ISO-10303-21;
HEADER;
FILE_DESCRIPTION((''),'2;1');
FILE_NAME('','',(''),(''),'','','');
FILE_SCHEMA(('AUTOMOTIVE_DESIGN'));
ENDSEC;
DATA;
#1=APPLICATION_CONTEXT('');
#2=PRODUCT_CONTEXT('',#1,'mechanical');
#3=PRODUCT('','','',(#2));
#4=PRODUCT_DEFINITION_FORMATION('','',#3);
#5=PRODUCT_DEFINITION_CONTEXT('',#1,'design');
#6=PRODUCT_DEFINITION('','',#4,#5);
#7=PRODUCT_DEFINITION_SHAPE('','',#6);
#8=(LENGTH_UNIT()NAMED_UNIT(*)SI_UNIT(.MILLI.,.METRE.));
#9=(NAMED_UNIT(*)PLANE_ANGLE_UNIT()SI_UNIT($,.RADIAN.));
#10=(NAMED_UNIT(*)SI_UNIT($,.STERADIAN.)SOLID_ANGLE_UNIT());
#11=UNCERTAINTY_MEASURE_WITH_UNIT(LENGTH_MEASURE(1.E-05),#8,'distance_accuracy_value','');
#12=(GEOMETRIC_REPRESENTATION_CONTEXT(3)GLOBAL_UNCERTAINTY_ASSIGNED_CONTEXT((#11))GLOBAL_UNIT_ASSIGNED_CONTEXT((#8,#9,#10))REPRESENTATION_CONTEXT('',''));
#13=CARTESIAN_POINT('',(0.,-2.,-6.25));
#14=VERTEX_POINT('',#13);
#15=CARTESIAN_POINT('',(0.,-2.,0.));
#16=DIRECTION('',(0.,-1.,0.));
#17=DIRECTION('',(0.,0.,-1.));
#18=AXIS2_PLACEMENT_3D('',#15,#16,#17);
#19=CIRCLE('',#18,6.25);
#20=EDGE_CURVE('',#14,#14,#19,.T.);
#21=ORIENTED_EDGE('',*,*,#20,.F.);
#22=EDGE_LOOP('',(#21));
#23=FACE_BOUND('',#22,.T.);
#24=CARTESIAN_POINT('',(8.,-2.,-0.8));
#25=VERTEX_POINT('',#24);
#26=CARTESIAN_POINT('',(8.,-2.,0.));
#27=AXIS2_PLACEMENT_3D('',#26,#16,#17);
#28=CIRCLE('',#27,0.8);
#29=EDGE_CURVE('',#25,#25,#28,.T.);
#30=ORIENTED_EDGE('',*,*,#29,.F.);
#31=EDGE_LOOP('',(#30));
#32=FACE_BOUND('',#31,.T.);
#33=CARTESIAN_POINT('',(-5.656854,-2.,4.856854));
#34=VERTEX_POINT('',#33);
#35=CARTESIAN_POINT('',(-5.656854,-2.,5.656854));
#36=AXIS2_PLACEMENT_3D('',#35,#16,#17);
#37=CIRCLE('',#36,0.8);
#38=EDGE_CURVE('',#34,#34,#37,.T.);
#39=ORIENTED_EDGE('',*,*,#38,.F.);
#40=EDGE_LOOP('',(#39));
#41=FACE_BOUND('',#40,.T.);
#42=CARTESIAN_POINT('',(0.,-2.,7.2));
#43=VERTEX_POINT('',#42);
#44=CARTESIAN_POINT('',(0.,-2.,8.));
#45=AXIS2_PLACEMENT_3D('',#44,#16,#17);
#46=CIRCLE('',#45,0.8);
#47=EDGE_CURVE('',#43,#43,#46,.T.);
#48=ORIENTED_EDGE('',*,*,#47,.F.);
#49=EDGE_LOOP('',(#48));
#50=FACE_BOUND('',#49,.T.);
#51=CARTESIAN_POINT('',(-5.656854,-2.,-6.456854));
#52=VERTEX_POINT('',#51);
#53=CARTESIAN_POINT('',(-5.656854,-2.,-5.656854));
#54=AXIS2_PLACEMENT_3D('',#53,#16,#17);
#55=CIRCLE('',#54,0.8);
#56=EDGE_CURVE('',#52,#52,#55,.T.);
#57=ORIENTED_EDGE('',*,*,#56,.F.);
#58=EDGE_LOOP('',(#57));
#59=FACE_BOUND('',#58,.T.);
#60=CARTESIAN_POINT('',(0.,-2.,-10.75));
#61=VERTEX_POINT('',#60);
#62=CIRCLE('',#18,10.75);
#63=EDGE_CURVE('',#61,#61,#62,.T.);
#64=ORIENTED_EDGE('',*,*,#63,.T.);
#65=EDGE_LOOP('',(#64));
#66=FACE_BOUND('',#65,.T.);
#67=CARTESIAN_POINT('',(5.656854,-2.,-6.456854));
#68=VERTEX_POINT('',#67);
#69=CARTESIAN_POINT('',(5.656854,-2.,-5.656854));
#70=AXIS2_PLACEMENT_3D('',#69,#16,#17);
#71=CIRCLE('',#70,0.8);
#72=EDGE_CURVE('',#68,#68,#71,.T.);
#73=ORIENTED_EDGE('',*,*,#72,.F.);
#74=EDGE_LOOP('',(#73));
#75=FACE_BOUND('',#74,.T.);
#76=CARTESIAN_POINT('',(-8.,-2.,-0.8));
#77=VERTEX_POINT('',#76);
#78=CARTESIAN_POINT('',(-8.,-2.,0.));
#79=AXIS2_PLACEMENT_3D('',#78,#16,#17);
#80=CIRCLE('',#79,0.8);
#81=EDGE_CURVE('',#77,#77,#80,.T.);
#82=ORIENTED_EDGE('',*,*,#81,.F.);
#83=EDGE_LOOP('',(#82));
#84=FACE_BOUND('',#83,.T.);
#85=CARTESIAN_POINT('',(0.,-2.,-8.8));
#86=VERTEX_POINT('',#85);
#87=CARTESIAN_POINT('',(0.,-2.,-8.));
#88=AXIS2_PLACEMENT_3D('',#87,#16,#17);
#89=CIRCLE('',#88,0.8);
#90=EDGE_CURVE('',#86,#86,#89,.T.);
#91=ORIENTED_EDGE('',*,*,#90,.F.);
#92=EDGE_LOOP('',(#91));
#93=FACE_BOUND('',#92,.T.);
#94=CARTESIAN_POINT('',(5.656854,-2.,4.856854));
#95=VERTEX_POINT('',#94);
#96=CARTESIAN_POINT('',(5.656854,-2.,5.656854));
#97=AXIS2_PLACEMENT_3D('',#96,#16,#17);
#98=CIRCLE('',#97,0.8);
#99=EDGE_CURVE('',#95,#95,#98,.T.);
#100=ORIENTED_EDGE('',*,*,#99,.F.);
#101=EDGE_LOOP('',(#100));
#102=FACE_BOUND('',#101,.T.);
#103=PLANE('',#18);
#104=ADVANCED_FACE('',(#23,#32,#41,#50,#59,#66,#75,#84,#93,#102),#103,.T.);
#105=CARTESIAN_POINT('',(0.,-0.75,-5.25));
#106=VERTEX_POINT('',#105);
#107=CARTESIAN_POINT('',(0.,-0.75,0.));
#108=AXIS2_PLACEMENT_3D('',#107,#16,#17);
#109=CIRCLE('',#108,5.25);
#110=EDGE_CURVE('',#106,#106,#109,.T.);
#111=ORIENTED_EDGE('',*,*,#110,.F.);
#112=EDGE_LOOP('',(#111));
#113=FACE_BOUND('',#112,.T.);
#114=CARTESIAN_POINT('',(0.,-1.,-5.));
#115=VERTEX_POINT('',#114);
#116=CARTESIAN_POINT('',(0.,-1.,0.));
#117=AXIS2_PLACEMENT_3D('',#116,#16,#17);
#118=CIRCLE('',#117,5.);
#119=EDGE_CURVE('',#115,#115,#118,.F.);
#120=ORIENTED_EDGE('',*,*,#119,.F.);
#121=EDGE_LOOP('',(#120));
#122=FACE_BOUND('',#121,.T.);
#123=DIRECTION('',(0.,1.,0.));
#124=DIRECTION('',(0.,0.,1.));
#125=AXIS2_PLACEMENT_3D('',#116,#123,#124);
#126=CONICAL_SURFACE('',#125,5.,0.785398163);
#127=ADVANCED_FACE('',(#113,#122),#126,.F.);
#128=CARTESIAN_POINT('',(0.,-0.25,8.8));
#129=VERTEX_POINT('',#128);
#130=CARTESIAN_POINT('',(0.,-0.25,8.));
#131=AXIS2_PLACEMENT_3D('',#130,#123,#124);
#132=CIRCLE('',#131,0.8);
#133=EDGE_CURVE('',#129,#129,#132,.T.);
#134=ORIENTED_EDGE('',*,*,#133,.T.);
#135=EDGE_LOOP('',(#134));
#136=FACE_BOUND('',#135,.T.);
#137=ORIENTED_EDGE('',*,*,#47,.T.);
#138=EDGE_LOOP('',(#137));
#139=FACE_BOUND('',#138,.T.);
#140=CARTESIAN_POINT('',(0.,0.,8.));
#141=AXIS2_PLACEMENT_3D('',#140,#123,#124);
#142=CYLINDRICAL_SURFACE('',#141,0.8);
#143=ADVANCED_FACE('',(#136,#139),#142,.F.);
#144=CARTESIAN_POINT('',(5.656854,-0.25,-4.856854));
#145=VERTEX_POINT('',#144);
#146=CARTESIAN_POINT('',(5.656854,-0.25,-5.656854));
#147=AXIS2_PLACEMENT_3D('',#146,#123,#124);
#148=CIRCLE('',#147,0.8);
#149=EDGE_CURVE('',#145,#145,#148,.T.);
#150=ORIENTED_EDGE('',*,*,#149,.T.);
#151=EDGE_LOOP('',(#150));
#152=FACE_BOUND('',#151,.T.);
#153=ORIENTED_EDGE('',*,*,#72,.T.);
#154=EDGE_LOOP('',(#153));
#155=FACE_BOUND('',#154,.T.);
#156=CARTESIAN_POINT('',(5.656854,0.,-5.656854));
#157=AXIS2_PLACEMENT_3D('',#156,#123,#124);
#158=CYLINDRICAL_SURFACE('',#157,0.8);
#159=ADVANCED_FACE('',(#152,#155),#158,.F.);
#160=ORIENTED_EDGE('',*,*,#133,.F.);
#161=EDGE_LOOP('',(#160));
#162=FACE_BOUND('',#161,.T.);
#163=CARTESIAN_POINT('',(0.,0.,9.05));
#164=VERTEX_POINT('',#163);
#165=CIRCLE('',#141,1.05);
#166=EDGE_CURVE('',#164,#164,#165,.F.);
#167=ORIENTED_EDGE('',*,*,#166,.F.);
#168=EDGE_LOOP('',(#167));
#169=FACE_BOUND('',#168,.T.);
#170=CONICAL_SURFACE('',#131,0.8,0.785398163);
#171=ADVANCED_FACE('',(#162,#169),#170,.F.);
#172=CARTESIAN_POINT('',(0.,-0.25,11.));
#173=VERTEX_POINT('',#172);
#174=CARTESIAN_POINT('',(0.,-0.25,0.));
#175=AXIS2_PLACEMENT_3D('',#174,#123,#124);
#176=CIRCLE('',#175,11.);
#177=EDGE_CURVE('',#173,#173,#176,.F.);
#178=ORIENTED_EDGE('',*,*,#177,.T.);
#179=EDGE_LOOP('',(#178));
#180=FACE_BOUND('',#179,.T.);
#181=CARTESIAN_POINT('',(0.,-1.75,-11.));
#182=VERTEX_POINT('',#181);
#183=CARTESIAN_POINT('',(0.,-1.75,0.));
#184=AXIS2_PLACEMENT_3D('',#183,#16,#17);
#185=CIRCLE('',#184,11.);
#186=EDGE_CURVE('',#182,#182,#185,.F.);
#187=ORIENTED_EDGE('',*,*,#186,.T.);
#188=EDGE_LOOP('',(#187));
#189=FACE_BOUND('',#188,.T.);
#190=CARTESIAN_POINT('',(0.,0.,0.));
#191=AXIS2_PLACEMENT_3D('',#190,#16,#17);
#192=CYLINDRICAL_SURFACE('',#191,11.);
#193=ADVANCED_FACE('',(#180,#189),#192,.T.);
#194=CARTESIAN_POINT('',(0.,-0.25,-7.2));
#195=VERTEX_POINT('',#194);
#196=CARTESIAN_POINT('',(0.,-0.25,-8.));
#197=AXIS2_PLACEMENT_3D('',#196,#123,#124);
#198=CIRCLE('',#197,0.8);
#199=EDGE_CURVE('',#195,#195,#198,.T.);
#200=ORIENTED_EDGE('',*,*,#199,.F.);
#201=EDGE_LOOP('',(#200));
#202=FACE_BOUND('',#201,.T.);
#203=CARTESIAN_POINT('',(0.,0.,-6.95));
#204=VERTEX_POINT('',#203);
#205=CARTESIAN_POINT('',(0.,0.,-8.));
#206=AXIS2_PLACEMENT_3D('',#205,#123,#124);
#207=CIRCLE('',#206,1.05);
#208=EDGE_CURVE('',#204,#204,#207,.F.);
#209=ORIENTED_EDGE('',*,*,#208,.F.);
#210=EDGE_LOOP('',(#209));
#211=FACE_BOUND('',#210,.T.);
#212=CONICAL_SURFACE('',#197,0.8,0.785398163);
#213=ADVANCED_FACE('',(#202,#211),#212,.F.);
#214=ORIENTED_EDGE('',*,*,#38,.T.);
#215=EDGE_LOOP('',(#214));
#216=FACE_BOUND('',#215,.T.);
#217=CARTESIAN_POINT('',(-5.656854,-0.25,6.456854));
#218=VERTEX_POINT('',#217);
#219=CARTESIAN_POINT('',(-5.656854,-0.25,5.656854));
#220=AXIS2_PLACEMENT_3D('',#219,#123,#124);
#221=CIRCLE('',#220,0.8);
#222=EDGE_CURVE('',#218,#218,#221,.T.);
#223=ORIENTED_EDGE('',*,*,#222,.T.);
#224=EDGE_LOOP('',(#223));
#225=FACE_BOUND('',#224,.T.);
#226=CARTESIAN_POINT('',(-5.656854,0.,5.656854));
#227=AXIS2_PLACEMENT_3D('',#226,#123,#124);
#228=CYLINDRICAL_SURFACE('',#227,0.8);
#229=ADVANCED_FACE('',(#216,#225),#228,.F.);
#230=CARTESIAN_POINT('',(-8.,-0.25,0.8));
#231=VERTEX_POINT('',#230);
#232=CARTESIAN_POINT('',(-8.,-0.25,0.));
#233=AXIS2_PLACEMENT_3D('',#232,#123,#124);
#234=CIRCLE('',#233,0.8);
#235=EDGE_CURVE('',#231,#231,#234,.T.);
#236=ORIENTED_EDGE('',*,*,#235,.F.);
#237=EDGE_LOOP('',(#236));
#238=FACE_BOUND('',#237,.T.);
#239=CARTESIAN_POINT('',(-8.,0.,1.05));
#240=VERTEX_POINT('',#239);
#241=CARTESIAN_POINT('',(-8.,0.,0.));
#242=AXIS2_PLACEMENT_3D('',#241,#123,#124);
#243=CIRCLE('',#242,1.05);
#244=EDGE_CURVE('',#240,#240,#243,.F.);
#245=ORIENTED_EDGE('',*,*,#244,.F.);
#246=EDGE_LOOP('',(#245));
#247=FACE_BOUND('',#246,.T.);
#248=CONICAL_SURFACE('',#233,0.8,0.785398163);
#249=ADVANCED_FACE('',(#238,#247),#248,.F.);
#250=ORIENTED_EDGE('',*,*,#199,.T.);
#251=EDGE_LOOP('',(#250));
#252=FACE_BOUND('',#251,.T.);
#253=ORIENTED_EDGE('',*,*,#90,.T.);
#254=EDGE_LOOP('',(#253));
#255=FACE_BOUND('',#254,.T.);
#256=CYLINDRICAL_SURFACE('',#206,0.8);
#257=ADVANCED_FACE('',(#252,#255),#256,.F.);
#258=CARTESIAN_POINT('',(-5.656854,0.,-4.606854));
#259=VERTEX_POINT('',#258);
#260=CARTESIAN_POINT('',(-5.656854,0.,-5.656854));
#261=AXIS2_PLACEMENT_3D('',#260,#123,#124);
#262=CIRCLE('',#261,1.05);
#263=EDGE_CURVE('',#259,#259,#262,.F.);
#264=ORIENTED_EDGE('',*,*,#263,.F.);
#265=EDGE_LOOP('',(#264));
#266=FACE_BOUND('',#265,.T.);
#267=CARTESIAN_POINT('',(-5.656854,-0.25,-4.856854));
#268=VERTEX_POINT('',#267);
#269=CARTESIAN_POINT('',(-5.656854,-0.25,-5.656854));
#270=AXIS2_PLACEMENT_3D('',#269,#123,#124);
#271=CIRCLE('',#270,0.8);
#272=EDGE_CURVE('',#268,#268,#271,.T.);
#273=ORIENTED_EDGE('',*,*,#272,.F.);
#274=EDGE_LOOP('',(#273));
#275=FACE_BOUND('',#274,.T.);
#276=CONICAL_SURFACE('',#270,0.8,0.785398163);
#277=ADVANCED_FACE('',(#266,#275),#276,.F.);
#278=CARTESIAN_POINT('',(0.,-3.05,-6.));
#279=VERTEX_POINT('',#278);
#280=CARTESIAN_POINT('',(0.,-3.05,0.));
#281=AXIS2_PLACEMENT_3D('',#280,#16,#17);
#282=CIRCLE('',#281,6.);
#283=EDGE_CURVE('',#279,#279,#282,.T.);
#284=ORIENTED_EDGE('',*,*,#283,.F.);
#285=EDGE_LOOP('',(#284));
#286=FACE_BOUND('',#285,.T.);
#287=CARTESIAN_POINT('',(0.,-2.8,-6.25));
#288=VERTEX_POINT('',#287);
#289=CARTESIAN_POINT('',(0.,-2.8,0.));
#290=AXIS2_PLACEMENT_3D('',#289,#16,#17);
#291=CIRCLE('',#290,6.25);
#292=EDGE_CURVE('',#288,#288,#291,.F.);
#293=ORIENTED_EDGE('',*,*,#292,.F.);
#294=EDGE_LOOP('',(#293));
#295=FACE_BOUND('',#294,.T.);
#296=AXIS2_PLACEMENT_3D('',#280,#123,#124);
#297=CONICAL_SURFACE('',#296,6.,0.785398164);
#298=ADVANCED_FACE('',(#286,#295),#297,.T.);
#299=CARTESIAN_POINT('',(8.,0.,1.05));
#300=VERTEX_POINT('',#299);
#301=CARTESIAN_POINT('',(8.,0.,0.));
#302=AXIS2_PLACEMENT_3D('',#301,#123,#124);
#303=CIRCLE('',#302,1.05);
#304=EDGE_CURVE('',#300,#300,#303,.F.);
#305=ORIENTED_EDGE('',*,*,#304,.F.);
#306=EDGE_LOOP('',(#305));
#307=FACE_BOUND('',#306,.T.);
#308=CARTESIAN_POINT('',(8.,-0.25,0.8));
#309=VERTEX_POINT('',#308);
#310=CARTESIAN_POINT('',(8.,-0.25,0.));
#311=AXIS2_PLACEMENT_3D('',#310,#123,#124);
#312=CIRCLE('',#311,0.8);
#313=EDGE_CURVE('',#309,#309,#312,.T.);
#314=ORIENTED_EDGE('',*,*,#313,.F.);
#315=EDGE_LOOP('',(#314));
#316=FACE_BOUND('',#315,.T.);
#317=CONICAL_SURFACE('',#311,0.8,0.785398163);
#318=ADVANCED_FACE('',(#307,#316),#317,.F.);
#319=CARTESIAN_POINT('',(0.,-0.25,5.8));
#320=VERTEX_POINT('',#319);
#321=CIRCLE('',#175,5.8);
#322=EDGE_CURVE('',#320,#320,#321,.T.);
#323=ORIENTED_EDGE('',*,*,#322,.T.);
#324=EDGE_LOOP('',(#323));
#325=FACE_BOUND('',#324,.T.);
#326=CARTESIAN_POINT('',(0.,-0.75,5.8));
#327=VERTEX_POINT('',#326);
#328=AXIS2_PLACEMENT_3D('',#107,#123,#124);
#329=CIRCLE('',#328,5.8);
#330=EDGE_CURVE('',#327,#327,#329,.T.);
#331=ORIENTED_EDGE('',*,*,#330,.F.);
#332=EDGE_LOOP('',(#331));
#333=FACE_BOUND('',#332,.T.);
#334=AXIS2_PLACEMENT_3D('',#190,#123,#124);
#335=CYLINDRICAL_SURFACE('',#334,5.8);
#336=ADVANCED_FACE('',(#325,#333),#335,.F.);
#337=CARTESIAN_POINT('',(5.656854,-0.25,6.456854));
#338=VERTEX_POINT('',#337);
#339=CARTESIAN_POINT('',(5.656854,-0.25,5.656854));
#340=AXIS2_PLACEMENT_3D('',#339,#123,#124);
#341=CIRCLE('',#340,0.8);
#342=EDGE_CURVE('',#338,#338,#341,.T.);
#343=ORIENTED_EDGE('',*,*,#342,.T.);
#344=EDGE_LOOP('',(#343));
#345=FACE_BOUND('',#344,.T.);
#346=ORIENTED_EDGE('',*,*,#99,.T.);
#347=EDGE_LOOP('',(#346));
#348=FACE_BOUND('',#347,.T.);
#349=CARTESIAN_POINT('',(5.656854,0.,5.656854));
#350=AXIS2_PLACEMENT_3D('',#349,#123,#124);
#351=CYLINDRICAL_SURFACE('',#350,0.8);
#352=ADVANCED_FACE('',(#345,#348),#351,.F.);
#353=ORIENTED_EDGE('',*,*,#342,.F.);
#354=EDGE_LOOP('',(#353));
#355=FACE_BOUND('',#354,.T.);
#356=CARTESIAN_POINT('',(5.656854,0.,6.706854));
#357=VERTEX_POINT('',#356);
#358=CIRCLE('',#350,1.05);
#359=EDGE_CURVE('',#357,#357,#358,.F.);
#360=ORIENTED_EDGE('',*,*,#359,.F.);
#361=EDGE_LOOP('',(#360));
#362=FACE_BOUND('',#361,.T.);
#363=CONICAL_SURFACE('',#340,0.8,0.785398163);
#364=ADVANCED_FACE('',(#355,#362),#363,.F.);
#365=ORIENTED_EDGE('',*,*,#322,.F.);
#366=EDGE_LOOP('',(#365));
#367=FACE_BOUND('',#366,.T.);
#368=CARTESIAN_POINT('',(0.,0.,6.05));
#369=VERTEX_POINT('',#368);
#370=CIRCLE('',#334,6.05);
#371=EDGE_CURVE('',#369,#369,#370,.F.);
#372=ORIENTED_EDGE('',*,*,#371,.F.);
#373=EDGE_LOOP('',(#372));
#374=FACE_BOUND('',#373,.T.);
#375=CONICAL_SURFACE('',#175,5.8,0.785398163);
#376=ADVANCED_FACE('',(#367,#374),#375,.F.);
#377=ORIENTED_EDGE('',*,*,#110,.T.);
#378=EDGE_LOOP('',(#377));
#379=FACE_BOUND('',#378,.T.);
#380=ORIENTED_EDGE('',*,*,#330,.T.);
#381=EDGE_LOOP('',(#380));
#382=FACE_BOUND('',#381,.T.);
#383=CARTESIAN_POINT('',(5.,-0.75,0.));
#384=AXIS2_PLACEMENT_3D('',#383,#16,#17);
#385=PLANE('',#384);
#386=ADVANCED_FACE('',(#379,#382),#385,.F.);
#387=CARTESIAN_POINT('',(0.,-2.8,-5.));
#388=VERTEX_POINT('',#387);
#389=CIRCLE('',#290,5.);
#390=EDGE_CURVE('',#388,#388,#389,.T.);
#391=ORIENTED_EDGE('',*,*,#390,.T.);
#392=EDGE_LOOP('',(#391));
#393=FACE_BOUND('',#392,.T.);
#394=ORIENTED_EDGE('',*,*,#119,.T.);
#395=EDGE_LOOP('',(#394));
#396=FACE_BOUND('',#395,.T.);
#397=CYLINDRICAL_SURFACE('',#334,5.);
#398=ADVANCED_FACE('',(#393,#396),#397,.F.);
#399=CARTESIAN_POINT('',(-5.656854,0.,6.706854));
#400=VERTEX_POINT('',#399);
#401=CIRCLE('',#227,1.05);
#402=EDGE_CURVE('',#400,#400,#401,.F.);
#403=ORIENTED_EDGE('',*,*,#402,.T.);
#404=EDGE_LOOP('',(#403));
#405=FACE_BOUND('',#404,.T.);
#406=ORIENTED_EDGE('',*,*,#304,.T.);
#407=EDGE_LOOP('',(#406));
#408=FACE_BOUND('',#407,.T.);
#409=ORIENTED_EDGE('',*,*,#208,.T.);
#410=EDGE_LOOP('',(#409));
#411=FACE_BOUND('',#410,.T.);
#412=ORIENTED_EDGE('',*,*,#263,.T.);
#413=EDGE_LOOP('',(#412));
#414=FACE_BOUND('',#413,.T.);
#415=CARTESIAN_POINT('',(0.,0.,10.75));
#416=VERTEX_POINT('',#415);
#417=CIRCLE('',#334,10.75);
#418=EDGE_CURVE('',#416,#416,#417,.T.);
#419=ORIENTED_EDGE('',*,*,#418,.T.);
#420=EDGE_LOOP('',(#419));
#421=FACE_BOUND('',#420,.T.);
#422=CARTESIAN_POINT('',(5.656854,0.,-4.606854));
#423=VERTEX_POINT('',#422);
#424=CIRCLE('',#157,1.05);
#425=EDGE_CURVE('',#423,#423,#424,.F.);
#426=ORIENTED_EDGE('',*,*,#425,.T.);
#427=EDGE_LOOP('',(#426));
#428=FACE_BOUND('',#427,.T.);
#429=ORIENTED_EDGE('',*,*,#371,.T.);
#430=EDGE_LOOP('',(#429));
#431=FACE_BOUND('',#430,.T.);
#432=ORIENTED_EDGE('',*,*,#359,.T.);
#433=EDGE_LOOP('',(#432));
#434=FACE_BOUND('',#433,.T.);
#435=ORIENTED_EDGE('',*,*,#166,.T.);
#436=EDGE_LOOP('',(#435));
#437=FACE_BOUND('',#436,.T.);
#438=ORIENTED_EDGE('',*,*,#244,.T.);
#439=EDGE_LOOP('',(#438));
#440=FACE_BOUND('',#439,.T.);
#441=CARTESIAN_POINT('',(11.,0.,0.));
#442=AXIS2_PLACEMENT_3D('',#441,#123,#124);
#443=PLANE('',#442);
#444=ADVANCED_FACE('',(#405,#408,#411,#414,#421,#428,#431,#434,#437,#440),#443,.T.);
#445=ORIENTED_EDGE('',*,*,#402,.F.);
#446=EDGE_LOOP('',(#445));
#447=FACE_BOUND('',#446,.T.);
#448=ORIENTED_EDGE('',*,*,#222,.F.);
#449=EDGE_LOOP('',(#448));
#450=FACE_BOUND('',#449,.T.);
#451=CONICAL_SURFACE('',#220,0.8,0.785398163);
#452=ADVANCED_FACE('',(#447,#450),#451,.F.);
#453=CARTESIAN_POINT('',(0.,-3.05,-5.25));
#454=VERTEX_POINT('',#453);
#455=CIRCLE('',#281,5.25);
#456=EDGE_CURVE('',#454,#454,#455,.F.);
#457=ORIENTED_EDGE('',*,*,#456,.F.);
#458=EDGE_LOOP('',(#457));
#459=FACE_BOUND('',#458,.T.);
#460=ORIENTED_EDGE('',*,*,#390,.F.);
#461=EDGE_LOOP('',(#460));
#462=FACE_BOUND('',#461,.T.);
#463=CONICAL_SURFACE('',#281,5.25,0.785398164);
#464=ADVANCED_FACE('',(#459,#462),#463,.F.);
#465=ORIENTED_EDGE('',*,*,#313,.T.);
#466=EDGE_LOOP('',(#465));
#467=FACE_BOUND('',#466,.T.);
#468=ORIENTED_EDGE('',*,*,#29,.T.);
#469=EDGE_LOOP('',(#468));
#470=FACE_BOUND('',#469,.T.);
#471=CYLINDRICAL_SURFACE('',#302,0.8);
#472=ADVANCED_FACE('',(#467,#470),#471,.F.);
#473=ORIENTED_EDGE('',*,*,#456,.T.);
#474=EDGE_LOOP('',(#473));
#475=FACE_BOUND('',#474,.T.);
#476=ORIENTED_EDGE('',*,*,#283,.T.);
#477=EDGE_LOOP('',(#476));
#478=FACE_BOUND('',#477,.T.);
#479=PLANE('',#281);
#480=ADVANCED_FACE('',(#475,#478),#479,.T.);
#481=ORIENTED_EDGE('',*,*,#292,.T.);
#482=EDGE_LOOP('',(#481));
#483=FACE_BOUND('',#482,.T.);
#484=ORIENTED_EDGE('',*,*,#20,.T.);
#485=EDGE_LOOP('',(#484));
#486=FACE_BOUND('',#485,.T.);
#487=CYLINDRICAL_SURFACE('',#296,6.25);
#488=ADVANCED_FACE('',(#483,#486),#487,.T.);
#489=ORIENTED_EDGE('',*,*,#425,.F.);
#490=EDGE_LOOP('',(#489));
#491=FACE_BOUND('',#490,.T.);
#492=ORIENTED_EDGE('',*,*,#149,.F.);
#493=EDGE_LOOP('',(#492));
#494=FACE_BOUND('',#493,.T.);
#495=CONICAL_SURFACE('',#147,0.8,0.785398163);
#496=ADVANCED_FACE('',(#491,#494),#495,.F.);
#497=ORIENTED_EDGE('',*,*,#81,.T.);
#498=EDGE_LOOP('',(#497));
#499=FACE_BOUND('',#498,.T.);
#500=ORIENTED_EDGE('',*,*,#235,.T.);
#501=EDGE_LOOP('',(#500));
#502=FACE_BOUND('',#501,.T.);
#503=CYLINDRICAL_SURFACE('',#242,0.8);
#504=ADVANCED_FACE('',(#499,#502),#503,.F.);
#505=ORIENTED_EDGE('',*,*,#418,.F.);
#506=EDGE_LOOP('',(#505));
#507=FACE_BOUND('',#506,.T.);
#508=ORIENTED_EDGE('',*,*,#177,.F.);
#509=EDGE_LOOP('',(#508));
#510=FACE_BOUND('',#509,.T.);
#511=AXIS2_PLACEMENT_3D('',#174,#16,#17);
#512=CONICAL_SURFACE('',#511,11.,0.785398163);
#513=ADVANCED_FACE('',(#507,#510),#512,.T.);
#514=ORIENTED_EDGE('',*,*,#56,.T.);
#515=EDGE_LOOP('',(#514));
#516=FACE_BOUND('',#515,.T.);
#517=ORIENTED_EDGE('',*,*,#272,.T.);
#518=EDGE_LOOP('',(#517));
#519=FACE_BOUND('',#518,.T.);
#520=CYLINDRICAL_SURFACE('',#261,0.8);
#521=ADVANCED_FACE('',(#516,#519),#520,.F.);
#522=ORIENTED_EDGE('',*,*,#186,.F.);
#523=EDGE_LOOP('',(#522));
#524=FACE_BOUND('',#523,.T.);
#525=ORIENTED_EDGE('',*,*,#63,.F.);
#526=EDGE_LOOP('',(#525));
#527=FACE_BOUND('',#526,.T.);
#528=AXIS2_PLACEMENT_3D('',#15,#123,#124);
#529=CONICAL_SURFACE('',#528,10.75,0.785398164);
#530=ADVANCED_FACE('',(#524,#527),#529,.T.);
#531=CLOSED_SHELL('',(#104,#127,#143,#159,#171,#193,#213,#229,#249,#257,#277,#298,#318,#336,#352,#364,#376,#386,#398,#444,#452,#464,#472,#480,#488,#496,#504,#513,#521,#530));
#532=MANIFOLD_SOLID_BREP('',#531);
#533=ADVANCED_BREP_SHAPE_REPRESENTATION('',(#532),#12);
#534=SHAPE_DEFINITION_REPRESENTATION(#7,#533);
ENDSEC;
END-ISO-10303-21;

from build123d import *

# Parameters (mm, degrees)
SKETCH1_W                               = 11
SKETCH1_H                               = 2
SKETCH2_R                               = 6.25
BOSS_EXTRUDE1_DEPTH                     = 1.05
F_1_6_1_6_DIAMETER_HOLE1_D              = 1.6
F_1_6_1_6_DIAMETER_HOLE1_DEPTH          = 3.05
CBORE_FOR_M8_HEX_HEAD_BOLT1_D           = 10
CBORE_FOR_M8_HEX_HEAD_BOLT1_DEPTH       = 3.05
CBORE_FOR_M8_HEX_HEAD_BOLT1_CBORE_D     = 11.6
CBORE_FOR_M8_HEX_HEAD_BOLT1_CBORE_DEPTH = 0.75
CHAMFER1_SIZE                           = 0.25


with BuildPart() as part:
    # Sketch1 → Revolve1 (revolve)
    with BuildSketch(Plane.XY):
        with Locations((5.5, -1)):
            Rectangle(SKETCH1_W, SKETCH1_H)
    revolve(axis=Axis((0, 0, 0), (0, -1, 0)))

    # Sketch2 → Boss-Extrude1 (add)
    with BuildSketch(Plane.XZ.offset(2)):
        Circle(SKETCH2_R)
    extrude(amount=BOSS_EXTRUDE1_DEPTH)

    # Ø1.6 (1.6) Diameter Hole1
    with Locations(Plane(origin=(0, 0, 0), x_dir=(1, 0, 0), z_dir=(0, 1, 0))):
        with Locations((0, 8), (5.656854249, 5.656854249), (8, 0), (5.656854249, -5.656854249), (0, -8), (-5.656854249, -5.656854249), (-8, 0), (-5.656854249, 5.656854249)):
            Hole(F_1_6_1_6_DIAMETER_HOLE1_D / 2, depth=F_1_6_1_6_DIAMETER_HOLE1_DEPTH)

    # CBORE for M8 Hex Head Bolt1
    with Locations(Plane(origin=(0, 0, 0), x_dir=(1, 0, 0), z_dir=(0, 1, 0))):
        with Locations((0, 0)):
            CounterBoreHole(CBORE_FOR_M8_HEX_HEAD_BOLT1_D / 2, CBORE_FOR_M8_HEX_HEAD_BOLT1_CBORE_D / 2, CBORE_FOR_M8_HEX_HEAD_BOLT1_CBORE_DEPTH, depth=CBORE_FOR_M8_HEX_HEAD_BOLT1_DEPTH)

    # Chamfer1
    chamfer1_edges = [part.edges().sort_by_distance(p)[0] for p in [
        (-4.856854249, 0, -5.656854249),
        (-7.2, 0, 0),
        (-4.856854249, 0, 5.656854249),
        (-11, -2, 0),
        (0.8, 0, 8),
        (6.456854249, 0, 5.656854249),
        (-11, 0, 0),
        (8.8, 0, 0),
        (6.456854249, 0, -5.656854249),
        (0.8, 0, -8),
        (-5.8, 0, 0),
        (5, -3.05, 0),
        (5, -0.75, 0),
        (-6.25, -3.05, 0),
    ]]
    chamfer(chamfer1_edges, length=CHAMFER1_SIZE)


solid = part.part
